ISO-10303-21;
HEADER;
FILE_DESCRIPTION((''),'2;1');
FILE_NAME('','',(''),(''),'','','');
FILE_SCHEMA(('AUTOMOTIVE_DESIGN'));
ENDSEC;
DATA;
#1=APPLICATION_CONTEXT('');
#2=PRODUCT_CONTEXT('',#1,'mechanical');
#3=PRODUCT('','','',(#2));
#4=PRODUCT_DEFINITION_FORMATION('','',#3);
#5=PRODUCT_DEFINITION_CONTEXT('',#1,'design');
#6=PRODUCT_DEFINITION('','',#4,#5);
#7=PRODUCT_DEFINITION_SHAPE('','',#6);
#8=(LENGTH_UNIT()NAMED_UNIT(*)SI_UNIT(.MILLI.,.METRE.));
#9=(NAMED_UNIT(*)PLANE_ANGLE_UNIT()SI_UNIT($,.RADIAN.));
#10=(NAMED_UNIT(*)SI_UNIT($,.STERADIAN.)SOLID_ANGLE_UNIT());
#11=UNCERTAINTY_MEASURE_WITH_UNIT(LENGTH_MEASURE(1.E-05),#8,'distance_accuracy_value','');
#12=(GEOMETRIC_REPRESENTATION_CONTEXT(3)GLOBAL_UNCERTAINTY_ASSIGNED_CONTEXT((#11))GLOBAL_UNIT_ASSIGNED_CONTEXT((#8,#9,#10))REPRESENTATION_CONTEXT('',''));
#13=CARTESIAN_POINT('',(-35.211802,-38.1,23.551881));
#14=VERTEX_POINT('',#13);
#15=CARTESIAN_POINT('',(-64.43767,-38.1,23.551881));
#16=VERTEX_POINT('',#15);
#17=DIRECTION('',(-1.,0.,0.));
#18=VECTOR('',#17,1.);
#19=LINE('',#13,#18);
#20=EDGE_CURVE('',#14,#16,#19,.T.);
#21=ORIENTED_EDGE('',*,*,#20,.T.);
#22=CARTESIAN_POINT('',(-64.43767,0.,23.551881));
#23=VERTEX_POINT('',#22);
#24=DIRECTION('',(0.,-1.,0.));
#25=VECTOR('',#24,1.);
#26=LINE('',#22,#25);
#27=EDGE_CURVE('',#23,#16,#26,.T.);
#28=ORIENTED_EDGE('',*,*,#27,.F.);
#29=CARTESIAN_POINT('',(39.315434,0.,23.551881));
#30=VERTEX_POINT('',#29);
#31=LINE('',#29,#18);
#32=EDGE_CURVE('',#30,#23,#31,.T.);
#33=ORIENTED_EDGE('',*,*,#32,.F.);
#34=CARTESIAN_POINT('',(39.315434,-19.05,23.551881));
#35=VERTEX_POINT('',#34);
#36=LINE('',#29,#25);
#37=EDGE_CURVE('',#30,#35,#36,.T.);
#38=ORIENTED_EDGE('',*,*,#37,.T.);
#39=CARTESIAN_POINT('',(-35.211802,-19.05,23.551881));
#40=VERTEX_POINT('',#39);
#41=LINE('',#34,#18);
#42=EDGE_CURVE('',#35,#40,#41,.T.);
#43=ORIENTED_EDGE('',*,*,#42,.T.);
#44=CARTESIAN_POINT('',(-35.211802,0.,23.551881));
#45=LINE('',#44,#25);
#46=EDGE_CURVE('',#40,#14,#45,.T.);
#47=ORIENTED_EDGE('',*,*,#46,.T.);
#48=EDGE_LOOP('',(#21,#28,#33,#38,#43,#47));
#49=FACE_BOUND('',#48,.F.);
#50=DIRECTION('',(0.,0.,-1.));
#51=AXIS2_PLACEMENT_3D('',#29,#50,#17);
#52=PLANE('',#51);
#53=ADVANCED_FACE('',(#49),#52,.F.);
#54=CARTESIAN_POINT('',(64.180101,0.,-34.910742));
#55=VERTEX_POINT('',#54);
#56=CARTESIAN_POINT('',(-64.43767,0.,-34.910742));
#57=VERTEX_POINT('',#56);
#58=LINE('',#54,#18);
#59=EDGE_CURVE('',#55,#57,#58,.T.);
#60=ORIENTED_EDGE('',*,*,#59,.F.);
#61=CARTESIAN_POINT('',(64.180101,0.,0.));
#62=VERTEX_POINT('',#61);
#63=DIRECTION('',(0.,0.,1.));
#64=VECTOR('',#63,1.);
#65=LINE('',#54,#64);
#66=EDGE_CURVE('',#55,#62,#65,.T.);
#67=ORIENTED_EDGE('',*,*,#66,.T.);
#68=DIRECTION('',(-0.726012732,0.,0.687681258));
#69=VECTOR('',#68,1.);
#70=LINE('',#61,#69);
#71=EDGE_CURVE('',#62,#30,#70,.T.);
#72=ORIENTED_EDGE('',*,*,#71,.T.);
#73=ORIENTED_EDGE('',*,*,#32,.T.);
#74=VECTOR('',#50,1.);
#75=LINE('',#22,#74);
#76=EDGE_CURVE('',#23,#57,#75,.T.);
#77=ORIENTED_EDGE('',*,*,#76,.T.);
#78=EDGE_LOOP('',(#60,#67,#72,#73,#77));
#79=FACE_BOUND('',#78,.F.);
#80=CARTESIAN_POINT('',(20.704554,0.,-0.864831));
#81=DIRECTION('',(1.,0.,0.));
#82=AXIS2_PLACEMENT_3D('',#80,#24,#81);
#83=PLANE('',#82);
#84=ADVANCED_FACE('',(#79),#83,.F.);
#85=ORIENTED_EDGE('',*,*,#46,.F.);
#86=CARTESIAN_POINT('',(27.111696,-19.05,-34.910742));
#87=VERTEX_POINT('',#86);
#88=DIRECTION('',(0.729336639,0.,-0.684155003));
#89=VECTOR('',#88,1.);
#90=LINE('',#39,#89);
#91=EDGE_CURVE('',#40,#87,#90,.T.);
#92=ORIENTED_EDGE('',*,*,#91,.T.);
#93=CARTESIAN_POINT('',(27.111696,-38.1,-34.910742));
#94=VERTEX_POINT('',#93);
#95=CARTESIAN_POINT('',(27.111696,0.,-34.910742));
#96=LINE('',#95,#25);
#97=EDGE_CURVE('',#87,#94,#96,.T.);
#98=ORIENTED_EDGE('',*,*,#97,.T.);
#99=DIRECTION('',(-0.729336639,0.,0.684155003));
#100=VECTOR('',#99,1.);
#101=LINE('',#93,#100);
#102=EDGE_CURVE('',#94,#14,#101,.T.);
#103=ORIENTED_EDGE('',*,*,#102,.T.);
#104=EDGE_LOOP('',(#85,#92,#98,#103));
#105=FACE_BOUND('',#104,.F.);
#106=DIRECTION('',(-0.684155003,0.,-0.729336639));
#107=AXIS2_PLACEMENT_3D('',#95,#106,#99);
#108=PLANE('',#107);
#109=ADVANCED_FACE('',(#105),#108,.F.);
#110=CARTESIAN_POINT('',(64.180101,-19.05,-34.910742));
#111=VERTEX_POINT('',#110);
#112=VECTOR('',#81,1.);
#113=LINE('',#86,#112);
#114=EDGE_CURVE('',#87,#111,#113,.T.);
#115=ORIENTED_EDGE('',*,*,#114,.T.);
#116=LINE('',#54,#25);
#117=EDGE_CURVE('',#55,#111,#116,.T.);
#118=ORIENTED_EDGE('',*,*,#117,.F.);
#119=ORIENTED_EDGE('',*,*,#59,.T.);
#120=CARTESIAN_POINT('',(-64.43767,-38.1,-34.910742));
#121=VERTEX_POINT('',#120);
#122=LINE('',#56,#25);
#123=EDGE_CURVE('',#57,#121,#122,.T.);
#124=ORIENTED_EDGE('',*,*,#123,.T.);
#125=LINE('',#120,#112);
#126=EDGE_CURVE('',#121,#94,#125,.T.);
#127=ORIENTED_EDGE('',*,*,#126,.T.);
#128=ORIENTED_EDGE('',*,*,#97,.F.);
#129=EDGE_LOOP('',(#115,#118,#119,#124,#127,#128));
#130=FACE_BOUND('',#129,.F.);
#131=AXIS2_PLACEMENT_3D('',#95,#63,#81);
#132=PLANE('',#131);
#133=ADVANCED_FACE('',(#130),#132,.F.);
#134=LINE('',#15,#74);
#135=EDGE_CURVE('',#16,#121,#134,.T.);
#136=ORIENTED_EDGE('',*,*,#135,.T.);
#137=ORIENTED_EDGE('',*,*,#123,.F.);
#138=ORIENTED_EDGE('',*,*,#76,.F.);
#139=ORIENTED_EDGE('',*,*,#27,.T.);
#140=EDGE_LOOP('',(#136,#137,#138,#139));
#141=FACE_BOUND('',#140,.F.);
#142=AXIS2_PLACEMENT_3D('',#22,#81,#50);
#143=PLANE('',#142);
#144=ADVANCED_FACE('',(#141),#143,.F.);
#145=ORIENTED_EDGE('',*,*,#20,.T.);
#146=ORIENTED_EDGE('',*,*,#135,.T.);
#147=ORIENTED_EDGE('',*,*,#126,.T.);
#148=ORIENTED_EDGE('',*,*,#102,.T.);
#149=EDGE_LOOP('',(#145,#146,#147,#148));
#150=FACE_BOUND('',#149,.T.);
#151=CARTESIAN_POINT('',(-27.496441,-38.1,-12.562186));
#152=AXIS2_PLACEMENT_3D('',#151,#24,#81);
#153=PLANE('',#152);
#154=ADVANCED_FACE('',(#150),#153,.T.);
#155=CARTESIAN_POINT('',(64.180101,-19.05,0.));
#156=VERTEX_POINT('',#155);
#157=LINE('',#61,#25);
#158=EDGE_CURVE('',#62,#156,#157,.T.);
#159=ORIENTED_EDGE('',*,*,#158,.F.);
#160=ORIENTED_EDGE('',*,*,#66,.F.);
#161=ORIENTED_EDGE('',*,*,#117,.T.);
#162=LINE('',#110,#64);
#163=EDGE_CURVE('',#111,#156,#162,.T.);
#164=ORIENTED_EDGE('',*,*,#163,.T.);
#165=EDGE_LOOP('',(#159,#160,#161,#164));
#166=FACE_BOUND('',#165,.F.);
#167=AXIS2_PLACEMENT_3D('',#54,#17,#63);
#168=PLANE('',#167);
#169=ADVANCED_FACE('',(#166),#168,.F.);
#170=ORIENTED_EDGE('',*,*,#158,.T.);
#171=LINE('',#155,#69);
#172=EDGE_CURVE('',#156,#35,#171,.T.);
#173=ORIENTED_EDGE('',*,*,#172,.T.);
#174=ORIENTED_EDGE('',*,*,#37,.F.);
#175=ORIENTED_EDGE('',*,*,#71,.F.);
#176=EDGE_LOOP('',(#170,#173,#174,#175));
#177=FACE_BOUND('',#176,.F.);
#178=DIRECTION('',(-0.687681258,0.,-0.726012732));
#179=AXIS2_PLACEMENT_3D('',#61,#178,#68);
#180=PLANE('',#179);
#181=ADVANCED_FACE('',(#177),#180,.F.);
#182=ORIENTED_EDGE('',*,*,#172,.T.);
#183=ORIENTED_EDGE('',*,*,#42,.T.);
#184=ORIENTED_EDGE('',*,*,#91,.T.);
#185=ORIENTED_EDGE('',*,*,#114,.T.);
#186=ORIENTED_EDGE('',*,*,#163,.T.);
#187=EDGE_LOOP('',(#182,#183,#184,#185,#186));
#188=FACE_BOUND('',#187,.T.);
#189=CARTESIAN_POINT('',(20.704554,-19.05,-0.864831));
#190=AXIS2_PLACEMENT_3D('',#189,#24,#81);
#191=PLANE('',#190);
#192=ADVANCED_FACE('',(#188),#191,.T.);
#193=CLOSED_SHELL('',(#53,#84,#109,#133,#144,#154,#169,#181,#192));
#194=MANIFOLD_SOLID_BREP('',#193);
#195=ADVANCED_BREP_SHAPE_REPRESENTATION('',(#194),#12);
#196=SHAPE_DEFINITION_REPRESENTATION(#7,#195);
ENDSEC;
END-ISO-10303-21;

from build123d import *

# Parameters (mm, degrees)
F1_DEPTH = 38.1
F2_DEPTH = 19.05


with BuildPart() as f1:
    # F0 (on Front) → F1 (new body)
    with BuildSketch(Plane.XZ):
        Polygon((-35.211802, 23.551881), (-64.43767, 23.551881), (-64.43767, -34.910742), (27.111696, -34.910742), align=None)
    extrude(amount=F1_DEPTH)

    # F0 (on Front) → F2 (join)
    with BuildSketch(Plane.XZ):
        Polygon((39.315434, 23.551881), (-35.211802, 23.551881), (27.111696, -34.910742), (64.180101, -34.910742), (64.180101, 0), align=None)
    extrude(amount=F2_DEPTH)


solid = f1.part
